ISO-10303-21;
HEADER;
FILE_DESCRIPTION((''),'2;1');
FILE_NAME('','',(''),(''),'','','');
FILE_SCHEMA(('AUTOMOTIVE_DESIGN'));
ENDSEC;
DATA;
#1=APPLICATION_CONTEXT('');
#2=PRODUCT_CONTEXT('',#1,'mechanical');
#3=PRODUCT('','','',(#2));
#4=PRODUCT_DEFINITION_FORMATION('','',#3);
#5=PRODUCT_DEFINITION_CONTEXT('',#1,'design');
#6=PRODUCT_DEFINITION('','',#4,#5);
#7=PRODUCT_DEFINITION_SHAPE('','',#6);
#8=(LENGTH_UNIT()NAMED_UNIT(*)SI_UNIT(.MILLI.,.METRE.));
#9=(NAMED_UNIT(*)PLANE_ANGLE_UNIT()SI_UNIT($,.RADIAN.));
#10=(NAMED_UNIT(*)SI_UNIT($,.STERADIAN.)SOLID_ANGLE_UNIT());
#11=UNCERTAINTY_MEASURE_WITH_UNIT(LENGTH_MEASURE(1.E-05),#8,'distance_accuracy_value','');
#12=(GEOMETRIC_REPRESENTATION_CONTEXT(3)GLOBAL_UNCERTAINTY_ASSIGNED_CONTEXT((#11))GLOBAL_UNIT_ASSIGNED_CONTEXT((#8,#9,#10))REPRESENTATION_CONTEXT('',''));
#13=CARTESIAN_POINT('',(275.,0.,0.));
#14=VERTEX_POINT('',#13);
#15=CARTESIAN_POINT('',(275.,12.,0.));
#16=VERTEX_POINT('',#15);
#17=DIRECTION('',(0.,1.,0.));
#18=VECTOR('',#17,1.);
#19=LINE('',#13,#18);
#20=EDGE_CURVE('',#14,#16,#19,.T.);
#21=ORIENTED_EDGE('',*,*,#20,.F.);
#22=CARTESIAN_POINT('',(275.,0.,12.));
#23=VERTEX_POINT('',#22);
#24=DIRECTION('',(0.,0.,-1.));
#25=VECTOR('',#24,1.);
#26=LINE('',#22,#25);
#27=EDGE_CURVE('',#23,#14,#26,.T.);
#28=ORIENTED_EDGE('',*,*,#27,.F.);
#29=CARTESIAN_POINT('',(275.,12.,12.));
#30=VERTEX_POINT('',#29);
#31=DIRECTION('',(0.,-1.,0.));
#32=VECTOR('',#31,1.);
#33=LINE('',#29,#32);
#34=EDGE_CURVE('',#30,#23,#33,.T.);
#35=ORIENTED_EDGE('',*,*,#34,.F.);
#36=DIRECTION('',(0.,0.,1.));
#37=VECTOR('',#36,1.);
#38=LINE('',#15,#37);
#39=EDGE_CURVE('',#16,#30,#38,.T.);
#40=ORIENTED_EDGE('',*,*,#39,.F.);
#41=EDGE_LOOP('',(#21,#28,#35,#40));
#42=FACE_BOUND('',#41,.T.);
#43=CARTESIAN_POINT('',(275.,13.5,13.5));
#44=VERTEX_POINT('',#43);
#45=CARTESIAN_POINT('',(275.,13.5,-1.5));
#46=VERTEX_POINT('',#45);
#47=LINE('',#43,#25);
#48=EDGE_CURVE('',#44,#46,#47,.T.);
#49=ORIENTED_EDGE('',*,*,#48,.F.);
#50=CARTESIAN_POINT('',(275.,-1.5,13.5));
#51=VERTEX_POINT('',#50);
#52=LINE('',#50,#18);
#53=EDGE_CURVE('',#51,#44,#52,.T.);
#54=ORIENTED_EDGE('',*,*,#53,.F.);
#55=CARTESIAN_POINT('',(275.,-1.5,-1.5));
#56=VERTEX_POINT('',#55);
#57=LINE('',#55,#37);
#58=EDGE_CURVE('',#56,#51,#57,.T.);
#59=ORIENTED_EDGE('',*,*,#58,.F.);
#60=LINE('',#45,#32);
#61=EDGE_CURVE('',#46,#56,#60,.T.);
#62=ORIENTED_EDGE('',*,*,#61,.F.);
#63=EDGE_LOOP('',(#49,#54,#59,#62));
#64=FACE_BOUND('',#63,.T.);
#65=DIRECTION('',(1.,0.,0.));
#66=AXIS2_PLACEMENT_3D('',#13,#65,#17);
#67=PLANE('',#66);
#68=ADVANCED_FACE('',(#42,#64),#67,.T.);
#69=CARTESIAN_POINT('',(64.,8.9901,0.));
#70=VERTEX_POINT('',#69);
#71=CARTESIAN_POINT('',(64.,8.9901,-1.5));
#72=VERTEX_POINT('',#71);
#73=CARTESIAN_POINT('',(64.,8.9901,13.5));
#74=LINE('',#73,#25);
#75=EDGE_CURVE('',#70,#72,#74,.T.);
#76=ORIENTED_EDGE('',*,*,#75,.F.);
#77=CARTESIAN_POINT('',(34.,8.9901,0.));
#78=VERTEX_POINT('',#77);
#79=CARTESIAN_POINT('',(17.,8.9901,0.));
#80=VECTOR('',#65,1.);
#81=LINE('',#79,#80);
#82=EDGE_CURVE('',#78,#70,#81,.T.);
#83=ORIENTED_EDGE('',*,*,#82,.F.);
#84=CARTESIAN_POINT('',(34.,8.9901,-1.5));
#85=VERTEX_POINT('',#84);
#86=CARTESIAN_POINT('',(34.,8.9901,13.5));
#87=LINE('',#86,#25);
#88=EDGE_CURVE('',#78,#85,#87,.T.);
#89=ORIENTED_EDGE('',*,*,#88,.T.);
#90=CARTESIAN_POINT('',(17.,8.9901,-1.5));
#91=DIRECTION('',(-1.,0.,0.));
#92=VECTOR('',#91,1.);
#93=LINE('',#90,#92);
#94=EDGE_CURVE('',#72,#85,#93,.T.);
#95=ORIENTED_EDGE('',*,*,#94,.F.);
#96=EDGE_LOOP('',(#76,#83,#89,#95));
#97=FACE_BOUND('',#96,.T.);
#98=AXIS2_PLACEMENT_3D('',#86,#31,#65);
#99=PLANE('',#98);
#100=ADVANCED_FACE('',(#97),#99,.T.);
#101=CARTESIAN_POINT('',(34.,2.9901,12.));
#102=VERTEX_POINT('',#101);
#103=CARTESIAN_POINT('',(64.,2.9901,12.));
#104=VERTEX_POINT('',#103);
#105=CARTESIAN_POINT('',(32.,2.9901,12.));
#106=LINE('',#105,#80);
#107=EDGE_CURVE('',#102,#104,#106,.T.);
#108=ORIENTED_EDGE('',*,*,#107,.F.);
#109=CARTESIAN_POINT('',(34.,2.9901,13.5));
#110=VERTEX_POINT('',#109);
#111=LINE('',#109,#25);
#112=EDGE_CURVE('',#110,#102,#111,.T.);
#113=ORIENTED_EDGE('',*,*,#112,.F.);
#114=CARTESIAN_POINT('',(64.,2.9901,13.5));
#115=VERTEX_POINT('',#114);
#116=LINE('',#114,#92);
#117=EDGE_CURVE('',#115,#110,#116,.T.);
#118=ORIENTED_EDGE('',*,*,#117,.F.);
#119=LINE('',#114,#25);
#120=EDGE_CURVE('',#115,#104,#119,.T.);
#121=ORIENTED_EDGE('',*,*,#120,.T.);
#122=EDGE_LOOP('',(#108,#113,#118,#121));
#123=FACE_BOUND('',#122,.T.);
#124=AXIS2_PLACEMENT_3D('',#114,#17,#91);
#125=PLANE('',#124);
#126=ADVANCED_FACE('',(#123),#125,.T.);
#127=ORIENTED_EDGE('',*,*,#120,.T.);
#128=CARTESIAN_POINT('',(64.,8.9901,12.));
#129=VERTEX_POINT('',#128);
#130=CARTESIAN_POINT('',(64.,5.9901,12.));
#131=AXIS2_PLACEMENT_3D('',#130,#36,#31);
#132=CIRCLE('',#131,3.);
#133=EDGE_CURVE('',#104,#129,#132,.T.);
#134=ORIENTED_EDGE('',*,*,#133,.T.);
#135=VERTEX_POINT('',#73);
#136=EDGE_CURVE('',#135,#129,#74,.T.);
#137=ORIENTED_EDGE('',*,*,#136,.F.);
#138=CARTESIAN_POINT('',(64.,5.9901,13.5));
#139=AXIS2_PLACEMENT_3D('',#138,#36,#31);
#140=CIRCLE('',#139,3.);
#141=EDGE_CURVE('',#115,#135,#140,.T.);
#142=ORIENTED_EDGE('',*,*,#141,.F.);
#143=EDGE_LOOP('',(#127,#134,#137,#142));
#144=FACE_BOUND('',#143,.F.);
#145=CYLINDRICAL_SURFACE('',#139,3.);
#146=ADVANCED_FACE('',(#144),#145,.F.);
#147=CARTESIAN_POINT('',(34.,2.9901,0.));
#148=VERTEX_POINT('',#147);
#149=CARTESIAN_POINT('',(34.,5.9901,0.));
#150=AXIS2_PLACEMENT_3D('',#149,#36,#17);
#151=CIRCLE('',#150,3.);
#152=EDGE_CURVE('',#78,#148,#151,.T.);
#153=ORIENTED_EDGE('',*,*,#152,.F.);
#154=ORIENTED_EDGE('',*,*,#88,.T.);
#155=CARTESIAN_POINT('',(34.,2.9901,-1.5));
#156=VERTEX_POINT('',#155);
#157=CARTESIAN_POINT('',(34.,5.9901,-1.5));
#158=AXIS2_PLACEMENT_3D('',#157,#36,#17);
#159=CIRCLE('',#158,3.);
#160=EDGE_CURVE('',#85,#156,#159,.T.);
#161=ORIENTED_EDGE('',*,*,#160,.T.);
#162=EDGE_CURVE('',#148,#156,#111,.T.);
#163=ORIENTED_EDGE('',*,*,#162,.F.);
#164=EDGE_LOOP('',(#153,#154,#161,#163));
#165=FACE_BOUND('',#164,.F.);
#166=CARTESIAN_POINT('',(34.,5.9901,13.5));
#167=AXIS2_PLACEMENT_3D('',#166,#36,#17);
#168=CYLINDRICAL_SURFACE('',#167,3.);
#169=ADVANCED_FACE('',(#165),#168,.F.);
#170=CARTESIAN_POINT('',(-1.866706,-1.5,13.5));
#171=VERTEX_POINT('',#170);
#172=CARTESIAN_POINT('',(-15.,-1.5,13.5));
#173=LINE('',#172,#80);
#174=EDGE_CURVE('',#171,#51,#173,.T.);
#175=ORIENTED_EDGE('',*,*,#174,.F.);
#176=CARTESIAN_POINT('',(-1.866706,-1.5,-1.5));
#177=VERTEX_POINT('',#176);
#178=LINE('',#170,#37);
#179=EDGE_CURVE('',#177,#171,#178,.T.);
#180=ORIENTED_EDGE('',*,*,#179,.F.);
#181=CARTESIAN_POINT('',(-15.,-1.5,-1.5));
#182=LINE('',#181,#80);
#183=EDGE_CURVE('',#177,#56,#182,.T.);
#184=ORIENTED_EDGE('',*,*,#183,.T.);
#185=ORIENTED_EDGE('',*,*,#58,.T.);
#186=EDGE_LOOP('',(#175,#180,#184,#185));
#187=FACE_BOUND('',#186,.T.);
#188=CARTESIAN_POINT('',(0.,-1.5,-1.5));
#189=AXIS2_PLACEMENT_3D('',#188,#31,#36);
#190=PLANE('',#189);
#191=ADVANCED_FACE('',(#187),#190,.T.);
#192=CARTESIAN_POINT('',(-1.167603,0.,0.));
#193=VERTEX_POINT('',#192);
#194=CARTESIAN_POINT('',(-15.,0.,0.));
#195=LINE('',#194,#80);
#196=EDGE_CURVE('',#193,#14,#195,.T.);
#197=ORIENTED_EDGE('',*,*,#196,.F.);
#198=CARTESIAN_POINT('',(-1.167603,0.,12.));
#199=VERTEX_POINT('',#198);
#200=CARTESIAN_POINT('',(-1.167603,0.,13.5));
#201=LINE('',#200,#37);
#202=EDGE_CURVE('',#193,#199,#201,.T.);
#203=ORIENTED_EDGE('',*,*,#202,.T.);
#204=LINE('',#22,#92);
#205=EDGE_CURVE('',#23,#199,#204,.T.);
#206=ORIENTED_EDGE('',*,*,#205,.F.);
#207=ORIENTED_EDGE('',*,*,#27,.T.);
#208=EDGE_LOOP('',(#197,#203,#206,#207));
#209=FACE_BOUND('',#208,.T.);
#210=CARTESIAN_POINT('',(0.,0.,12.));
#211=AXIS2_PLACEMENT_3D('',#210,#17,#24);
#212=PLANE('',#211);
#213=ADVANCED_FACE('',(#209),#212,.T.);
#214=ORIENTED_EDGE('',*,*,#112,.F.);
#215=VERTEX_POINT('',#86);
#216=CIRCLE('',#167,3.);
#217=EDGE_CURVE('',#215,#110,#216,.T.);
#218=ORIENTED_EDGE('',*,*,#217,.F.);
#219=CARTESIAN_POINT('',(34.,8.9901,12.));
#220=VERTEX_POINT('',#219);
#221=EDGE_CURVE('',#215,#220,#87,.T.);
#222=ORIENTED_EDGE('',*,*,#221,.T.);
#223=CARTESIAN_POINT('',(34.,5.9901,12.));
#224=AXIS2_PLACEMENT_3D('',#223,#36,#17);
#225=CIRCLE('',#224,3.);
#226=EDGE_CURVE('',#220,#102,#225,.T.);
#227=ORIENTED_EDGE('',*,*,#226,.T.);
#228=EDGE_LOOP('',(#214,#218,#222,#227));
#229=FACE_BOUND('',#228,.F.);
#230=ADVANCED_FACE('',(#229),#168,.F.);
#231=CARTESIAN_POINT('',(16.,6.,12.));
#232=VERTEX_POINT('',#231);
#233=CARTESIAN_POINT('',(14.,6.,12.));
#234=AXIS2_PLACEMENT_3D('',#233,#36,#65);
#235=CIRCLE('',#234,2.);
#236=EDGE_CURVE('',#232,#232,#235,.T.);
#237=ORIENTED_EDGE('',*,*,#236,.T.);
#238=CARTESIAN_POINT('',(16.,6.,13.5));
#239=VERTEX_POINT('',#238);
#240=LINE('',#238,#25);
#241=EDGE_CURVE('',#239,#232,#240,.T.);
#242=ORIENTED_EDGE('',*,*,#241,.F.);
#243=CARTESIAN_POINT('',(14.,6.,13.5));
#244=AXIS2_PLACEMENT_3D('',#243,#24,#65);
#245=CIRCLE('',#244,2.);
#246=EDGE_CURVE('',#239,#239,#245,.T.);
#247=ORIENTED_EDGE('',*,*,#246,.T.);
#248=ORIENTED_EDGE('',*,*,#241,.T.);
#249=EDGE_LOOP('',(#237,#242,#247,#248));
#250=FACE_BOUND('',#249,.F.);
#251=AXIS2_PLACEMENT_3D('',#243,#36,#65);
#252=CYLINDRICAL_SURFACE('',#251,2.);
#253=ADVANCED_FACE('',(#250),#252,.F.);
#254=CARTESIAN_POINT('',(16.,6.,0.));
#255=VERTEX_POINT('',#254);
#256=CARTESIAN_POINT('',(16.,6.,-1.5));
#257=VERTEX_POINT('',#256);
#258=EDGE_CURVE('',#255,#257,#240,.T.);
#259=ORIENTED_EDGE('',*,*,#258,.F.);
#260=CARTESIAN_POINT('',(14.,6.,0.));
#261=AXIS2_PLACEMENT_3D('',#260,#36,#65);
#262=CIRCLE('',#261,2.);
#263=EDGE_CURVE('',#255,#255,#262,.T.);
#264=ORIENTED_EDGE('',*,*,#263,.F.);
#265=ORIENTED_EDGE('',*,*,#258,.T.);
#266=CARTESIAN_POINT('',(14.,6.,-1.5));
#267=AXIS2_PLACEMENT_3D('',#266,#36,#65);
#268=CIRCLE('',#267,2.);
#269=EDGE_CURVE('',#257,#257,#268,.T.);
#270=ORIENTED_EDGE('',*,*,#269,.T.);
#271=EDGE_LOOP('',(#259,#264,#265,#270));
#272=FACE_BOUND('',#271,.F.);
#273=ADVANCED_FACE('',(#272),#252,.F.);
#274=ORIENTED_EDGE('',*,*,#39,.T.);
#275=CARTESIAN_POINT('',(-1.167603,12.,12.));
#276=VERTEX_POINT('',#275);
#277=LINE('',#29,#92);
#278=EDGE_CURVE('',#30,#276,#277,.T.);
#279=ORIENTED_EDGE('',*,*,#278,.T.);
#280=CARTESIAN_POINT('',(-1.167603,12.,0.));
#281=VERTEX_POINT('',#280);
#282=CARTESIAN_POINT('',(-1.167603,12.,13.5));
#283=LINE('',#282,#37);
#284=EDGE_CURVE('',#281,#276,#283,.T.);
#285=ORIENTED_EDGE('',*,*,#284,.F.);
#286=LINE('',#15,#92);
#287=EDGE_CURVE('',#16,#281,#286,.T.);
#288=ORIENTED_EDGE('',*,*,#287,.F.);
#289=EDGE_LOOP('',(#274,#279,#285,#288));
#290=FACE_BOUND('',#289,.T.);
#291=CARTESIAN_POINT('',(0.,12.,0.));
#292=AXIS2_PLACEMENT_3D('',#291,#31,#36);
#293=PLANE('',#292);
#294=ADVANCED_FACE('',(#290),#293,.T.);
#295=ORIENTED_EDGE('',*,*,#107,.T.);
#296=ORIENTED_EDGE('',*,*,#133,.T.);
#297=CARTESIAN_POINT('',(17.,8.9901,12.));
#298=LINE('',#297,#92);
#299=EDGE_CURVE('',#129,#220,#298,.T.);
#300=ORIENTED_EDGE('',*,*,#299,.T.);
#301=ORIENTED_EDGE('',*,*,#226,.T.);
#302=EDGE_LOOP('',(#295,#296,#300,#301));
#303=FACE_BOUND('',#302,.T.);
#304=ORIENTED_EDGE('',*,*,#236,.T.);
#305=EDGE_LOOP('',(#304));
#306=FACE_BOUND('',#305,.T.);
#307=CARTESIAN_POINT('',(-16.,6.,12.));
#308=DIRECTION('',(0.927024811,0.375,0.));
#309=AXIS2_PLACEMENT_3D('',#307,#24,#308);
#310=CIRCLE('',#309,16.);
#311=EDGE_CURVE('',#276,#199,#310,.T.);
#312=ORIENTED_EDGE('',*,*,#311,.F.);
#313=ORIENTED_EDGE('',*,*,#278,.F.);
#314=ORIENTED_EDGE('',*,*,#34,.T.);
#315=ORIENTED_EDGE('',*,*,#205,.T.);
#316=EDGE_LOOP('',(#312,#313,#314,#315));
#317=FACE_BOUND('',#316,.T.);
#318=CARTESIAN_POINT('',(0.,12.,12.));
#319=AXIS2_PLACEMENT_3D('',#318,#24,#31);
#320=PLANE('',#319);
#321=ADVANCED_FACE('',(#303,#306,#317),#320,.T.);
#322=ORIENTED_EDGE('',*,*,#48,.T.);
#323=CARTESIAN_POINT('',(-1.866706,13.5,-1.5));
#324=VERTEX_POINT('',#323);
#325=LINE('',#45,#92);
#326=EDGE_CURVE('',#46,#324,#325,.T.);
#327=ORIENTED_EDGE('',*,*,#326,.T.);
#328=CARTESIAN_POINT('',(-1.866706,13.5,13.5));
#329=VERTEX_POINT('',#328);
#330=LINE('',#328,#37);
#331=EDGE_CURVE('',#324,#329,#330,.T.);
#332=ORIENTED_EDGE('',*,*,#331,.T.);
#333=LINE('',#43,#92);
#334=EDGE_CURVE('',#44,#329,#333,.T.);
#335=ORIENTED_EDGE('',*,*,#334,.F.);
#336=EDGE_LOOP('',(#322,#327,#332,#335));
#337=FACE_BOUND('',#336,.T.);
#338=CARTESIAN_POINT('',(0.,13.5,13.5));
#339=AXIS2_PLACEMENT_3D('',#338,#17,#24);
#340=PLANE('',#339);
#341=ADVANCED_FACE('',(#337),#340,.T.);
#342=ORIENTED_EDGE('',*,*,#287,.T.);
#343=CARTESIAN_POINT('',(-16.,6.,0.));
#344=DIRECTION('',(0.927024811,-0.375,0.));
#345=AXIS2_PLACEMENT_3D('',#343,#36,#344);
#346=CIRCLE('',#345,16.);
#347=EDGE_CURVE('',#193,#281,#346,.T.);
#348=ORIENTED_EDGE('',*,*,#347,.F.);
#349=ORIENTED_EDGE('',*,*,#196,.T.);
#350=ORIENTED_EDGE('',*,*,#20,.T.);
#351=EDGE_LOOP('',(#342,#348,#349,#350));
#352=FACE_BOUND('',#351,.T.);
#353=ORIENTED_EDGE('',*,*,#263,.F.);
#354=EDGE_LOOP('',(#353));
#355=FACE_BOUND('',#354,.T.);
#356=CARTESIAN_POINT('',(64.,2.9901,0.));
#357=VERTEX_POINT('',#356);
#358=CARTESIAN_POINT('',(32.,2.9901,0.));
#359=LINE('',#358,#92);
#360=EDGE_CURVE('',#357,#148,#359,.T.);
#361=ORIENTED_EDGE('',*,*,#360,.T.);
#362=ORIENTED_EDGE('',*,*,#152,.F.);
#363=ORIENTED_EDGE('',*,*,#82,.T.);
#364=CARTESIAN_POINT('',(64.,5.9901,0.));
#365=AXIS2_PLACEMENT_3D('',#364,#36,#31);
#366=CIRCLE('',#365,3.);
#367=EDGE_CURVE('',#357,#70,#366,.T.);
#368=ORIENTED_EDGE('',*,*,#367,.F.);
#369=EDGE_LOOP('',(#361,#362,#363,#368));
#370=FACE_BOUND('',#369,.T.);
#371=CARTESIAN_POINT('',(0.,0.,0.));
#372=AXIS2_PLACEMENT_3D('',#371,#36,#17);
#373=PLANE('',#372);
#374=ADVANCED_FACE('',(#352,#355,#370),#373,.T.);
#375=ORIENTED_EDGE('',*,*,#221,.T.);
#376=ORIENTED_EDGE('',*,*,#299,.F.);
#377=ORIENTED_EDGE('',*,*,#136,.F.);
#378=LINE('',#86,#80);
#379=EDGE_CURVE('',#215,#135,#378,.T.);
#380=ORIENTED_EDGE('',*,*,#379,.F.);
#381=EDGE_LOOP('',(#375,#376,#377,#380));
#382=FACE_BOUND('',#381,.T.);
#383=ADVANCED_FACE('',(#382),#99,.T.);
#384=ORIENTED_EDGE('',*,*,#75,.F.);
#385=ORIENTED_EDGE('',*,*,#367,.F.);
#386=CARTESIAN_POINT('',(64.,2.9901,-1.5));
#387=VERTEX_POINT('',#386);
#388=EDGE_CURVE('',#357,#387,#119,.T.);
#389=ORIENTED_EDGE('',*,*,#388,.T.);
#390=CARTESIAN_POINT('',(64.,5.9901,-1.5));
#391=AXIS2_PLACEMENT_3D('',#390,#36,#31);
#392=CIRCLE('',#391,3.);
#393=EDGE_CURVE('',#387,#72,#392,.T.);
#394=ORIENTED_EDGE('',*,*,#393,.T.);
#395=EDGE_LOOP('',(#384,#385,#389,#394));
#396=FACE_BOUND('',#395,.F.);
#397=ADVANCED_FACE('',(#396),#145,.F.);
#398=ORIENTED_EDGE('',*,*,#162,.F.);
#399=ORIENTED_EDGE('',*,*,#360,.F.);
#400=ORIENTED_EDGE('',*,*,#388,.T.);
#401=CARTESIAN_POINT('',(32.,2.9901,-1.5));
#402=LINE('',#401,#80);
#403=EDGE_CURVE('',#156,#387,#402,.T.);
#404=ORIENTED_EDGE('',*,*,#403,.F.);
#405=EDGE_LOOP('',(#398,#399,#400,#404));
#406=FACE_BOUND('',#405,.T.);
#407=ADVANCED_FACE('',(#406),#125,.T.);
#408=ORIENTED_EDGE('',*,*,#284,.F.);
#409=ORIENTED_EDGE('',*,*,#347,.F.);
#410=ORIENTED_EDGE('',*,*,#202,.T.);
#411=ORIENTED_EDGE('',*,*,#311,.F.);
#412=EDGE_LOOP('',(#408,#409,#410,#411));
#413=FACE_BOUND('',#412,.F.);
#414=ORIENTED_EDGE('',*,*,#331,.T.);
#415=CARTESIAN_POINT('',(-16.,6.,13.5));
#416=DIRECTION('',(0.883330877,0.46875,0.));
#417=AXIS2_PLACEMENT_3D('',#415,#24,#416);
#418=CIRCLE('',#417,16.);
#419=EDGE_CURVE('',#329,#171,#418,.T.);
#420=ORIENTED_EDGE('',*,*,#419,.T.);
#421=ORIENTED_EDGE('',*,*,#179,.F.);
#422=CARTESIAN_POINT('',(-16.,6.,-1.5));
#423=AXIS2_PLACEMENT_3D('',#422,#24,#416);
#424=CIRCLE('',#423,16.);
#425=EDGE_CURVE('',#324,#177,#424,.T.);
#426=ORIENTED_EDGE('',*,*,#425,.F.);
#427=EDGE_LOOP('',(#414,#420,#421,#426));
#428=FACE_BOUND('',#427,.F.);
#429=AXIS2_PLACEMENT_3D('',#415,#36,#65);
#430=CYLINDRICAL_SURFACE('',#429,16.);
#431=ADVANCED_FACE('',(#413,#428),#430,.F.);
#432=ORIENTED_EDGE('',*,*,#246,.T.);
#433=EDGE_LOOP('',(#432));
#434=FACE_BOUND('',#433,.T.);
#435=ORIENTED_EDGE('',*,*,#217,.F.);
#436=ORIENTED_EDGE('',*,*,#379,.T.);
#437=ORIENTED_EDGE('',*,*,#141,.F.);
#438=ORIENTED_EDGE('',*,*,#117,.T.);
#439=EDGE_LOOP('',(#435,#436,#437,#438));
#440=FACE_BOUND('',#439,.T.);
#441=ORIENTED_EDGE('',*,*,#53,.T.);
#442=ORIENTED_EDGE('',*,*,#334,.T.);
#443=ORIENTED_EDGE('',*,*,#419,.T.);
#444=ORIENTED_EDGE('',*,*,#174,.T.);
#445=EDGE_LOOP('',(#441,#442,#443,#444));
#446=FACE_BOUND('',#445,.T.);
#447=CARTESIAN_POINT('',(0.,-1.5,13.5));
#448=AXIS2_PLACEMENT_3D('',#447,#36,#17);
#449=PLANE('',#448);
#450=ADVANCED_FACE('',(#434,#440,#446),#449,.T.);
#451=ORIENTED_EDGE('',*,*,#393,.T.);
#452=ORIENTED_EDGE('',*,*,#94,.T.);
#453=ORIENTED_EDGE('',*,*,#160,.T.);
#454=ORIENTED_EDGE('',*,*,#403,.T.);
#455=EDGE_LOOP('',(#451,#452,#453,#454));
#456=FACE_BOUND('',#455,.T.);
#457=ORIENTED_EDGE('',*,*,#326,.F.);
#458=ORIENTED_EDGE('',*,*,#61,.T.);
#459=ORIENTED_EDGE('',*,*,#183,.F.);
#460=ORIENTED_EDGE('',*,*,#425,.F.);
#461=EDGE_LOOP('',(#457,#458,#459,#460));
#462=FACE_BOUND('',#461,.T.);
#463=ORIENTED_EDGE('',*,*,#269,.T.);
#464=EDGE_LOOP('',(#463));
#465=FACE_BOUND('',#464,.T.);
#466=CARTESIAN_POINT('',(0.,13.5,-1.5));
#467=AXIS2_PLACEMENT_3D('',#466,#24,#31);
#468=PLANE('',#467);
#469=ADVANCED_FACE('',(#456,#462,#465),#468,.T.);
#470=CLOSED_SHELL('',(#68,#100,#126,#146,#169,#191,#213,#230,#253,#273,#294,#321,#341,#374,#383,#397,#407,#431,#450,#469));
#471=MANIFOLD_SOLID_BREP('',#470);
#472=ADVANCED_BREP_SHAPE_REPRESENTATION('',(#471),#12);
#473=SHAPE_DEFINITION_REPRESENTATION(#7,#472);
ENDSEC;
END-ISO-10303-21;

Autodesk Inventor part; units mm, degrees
ref_plane "YZ Plane" through (0, 0, 0) normal (1, 0, 0) x (0, 1, 0)
ref_plane "XZ Plane" through (0, 0, 0) normal (0, 1, 0) x (-1, 0, 0)
ref_plane "XY Plane" through (0, 0, 0) normal (0, 0, 1) x (1, 0, 0)
sketch "Sketch1" plane through (0, 0, 0) normal (1, 0, 0) x (0, 1, 0)
  line L0 (0, 0) -> (12, 0)
  line L1 (12, 0) -> (12, 12)
  line L2 (12, 12) -> (0, 12)
  line L3 (0, 12) -> (0, 0)
  line L4 (-1.5, 13.5) -> (13.5, 13.5)
  line L5 (13.5, 13.5) -> (13.5, -1.5)
  line L6 (13.5, -1.5) -> (-1.5, -1.5)
  line L7 (-1.5, -1.5) -> (-1.5, 13.5)
  dimension "FalVastagsag" = 1.5
  dimension "BelsoAtmero" = 12
  dimension "d2" = 12
extrude "Extrusion1" add sketch "Sketch1" along normal blind 275 and the other way blind 15
sketch "Sketch2" plane through (0, -1.5, 13.5) normal (0, 0, 1) x (1, 0, 0)
  line L0 (0, 0) -> (0, 15) projected
  line L1 (0, 0) -> (275, 0) projected
  circle A0 centre (-16, 7.5) radius 16
  circle A1 centre (-16, 7.5) radius 30
  circle A2 centre (14, 7.5) radius 2
  point P0 (0, 1.5)
  dimension "d22" = 60
  dimension "d8" = 32
  dimension "d9" = 16
  dimension "d23" = 4
sketch "Sketch4" plane through (0, 0, 0) normal (-1, 0, 0) x (0, 0, 1)
  line L0 (0, 0) -> (12, 0)
  line L1 (12, 0) -> (12, 12)
  line L2 (12, 12) -> (0, 12)
  line L3 (0, 12) -> (0, 0)
  line L4 (-1.5, -1.5) -> (13.5, -1.5)
  line L5 (13.5, -1.5) -> (13.5, 13.5)
  line L6 (13.5, 13.5) -> (-1.5, 13.5)
  line L7 (-1.5, 13.5) -> (-1.5, -1.5)
extrude "Extrusion2" add sketch "Sketch4" along normal blind 10
extrude "Extrusion3" cut sketch "Sketch2" against normal through all contours A0
sketch "Sketch5" plane through (-16, 6, 13.5) normal (0, 0, 1) x (1, 0, 0)
  arc A0 (50, 2.9901) -> (50, -3.0099) centre (50, -0.0099) ccw
  arc A1 (80, -3.0099) -> (80, 2.9901) centre (80, -0.0099) ccw
  line L0 (50, 2.9901) -> (80, 2.9901)
  line L1 (80, -3.0099) -> (50, -3.0099)
  arc A2 (14.1333, -7.5) -> (14.1333, 7.5) centre (0, 0) ccw projected
  point P0 (16, -6)
  dimension "d16" = 6
  dimension "d17" = 6
  dimension "d18" = 30
  dimension "d19" = 50
extrude "Extrusion4" cut sketch "Sketch5" against normal through all
extrude "Extrusion5" cut sketch "Sketch2" against normal through all contours A2 A1 | A1 A2 picked at (14.5954, 6.9828) picked at (13.3724, 7.0462)
mirror "Mirror2" [suppressed]
equation "\"FalVastagsag\" = ZártSzelvényFalVastagság"
equation "\"BelsoAtmero\" = ZártSzelvényBelsőÁtmérő"
equation "\"d2\" = ZártSzelvényBelsőÁtmérő"
equation "\"d22\" = 2 * PorvedoRogzitesJatekSugara"
equation "\"d8\" = CsapágyHázKülsőÁtmérő"
equation "\"d9\" = 0.5 * CsapágyHázKülsőÁtmérő"
equation "\"ZártSzelvényFalVastagság\" = 1.5"
equation "\"ZártSzelvényBelsőÁtmérő\" = 12"
equation "\"CsapágyHázKülsőÁtmérő\" = 32"
equation "\"ZártSzelvényKülsőÁtmérő\" = 15"
equation "\"CsapágyBelsőÁtmérő\" = 12"
equation "\"CsapágyKülsőÁtmérő\" = 28"
equation "\"CsapágyHázBelsőÁtmérő\" = 26"
equation "\"CTipHoszza\" = 400"
equation "\"ATipHoszza\" = 400"
equation "\"BTipHoszza\" = 70"
equation "\"CsapágyHázHoszza\" = 45"
equation "\"CsapágySzélesége\" = 8"
equation "\"PorvedoRogzitesJatekSugara\" = 30"
properties part number "KétvégenMartSzelvény" material "Acetal Resin, Black"
